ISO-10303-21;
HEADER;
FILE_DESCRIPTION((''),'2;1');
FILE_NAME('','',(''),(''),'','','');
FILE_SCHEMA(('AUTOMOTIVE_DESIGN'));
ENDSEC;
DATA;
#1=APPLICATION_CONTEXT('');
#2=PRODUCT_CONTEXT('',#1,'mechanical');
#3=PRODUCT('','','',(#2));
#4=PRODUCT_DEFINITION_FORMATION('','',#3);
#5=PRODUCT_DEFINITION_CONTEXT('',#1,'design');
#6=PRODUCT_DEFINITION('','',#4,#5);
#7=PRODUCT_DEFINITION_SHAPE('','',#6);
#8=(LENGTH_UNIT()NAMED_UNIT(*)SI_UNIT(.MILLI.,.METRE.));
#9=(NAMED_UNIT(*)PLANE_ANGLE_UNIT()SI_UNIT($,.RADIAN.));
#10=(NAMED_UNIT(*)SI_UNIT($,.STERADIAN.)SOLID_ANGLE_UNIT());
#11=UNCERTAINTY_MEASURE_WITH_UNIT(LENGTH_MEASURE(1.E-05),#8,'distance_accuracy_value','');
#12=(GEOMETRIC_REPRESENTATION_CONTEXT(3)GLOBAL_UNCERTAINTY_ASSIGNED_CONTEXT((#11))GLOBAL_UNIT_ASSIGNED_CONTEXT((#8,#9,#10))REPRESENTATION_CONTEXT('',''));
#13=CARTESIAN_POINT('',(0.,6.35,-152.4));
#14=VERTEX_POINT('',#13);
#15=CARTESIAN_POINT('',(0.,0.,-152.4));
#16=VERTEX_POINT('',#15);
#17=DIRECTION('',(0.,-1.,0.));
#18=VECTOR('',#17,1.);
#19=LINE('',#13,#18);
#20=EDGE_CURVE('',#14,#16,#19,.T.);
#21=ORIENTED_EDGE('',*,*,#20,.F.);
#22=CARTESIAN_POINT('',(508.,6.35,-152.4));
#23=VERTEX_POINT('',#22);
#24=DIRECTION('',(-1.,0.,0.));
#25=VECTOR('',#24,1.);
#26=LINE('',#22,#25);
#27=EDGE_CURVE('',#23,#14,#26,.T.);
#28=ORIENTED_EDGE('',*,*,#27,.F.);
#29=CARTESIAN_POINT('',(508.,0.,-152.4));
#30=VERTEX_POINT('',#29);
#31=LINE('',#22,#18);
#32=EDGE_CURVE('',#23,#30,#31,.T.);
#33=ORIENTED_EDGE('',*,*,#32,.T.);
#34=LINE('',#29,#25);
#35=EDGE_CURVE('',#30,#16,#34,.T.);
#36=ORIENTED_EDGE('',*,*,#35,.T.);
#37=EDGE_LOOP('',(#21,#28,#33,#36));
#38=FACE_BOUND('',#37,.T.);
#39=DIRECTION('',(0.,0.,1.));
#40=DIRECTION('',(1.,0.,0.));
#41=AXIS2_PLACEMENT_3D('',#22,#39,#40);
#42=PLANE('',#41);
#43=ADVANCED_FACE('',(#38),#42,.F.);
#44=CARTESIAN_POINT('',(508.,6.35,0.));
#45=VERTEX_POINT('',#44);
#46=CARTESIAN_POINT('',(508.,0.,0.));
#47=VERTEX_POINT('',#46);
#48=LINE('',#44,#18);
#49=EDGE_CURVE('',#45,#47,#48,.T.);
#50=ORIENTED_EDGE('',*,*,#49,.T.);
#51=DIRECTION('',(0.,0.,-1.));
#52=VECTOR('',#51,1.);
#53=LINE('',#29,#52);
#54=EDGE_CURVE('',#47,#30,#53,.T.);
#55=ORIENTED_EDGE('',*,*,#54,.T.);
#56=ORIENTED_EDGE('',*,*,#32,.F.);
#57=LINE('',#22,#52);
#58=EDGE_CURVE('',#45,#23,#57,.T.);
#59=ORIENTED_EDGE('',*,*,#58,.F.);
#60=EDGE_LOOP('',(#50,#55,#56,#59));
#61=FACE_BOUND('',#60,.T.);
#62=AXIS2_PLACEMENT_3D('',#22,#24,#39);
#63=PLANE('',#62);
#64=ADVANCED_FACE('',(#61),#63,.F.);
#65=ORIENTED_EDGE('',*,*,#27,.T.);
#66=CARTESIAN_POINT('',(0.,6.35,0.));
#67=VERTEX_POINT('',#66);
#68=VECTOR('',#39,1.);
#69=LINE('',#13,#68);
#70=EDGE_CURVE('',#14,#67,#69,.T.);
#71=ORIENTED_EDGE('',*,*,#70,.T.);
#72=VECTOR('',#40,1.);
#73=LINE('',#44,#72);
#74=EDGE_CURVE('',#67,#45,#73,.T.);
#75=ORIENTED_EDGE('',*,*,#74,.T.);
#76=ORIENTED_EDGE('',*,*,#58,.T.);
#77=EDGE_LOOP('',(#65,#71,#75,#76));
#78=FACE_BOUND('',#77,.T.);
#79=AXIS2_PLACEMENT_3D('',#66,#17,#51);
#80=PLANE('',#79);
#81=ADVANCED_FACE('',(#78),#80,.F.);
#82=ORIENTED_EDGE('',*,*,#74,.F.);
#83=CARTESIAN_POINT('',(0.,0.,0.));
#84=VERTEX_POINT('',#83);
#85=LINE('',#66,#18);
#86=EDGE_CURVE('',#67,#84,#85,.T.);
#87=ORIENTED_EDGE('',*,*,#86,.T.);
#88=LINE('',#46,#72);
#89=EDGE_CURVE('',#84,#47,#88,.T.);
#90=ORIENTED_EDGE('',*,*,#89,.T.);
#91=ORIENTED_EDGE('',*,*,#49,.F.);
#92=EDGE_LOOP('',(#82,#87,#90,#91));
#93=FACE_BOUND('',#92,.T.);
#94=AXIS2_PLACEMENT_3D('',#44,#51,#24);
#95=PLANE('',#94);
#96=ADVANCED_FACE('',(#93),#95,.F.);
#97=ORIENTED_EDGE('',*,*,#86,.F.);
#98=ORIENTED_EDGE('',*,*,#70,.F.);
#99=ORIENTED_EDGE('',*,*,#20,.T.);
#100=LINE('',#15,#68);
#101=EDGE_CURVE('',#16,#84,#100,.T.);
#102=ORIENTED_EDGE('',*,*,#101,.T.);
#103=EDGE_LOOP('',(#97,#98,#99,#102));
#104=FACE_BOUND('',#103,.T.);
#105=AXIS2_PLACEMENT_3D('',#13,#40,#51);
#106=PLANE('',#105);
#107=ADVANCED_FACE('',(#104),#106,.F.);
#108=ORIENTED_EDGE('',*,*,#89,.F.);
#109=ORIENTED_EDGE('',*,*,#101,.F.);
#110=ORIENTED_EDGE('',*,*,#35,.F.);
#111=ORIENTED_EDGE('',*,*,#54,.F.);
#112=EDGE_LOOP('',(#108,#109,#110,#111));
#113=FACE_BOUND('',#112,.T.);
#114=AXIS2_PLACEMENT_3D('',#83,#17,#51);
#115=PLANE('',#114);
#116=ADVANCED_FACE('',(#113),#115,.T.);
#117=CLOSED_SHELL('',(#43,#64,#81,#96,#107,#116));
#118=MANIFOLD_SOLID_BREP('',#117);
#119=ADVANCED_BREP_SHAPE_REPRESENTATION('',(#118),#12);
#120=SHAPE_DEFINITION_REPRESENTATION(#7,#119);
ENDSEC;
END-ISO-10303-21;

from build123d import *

# Parameters (mm, degrees)
SKETCH1_W           = 508
SKETCH1_H           = 152.4
BOSS_EXTRUDE1_DEPTH = 6.35


with BuildPart() as part:
    # Sketch1 → Boss-Extrude1 (new body)
    with BuildSketch(Plane(origin=(0, 0, 0), x_dir=(1, 0, 0), z_dir=(0, 1, 0))):
        with Locations((254, 76.2)):
            Rectangle(SKETCH1_W, SKETCH1_H)
    extrude(amount=BOSS_EXTRUDE1_DEPTH)


solid = part.part
